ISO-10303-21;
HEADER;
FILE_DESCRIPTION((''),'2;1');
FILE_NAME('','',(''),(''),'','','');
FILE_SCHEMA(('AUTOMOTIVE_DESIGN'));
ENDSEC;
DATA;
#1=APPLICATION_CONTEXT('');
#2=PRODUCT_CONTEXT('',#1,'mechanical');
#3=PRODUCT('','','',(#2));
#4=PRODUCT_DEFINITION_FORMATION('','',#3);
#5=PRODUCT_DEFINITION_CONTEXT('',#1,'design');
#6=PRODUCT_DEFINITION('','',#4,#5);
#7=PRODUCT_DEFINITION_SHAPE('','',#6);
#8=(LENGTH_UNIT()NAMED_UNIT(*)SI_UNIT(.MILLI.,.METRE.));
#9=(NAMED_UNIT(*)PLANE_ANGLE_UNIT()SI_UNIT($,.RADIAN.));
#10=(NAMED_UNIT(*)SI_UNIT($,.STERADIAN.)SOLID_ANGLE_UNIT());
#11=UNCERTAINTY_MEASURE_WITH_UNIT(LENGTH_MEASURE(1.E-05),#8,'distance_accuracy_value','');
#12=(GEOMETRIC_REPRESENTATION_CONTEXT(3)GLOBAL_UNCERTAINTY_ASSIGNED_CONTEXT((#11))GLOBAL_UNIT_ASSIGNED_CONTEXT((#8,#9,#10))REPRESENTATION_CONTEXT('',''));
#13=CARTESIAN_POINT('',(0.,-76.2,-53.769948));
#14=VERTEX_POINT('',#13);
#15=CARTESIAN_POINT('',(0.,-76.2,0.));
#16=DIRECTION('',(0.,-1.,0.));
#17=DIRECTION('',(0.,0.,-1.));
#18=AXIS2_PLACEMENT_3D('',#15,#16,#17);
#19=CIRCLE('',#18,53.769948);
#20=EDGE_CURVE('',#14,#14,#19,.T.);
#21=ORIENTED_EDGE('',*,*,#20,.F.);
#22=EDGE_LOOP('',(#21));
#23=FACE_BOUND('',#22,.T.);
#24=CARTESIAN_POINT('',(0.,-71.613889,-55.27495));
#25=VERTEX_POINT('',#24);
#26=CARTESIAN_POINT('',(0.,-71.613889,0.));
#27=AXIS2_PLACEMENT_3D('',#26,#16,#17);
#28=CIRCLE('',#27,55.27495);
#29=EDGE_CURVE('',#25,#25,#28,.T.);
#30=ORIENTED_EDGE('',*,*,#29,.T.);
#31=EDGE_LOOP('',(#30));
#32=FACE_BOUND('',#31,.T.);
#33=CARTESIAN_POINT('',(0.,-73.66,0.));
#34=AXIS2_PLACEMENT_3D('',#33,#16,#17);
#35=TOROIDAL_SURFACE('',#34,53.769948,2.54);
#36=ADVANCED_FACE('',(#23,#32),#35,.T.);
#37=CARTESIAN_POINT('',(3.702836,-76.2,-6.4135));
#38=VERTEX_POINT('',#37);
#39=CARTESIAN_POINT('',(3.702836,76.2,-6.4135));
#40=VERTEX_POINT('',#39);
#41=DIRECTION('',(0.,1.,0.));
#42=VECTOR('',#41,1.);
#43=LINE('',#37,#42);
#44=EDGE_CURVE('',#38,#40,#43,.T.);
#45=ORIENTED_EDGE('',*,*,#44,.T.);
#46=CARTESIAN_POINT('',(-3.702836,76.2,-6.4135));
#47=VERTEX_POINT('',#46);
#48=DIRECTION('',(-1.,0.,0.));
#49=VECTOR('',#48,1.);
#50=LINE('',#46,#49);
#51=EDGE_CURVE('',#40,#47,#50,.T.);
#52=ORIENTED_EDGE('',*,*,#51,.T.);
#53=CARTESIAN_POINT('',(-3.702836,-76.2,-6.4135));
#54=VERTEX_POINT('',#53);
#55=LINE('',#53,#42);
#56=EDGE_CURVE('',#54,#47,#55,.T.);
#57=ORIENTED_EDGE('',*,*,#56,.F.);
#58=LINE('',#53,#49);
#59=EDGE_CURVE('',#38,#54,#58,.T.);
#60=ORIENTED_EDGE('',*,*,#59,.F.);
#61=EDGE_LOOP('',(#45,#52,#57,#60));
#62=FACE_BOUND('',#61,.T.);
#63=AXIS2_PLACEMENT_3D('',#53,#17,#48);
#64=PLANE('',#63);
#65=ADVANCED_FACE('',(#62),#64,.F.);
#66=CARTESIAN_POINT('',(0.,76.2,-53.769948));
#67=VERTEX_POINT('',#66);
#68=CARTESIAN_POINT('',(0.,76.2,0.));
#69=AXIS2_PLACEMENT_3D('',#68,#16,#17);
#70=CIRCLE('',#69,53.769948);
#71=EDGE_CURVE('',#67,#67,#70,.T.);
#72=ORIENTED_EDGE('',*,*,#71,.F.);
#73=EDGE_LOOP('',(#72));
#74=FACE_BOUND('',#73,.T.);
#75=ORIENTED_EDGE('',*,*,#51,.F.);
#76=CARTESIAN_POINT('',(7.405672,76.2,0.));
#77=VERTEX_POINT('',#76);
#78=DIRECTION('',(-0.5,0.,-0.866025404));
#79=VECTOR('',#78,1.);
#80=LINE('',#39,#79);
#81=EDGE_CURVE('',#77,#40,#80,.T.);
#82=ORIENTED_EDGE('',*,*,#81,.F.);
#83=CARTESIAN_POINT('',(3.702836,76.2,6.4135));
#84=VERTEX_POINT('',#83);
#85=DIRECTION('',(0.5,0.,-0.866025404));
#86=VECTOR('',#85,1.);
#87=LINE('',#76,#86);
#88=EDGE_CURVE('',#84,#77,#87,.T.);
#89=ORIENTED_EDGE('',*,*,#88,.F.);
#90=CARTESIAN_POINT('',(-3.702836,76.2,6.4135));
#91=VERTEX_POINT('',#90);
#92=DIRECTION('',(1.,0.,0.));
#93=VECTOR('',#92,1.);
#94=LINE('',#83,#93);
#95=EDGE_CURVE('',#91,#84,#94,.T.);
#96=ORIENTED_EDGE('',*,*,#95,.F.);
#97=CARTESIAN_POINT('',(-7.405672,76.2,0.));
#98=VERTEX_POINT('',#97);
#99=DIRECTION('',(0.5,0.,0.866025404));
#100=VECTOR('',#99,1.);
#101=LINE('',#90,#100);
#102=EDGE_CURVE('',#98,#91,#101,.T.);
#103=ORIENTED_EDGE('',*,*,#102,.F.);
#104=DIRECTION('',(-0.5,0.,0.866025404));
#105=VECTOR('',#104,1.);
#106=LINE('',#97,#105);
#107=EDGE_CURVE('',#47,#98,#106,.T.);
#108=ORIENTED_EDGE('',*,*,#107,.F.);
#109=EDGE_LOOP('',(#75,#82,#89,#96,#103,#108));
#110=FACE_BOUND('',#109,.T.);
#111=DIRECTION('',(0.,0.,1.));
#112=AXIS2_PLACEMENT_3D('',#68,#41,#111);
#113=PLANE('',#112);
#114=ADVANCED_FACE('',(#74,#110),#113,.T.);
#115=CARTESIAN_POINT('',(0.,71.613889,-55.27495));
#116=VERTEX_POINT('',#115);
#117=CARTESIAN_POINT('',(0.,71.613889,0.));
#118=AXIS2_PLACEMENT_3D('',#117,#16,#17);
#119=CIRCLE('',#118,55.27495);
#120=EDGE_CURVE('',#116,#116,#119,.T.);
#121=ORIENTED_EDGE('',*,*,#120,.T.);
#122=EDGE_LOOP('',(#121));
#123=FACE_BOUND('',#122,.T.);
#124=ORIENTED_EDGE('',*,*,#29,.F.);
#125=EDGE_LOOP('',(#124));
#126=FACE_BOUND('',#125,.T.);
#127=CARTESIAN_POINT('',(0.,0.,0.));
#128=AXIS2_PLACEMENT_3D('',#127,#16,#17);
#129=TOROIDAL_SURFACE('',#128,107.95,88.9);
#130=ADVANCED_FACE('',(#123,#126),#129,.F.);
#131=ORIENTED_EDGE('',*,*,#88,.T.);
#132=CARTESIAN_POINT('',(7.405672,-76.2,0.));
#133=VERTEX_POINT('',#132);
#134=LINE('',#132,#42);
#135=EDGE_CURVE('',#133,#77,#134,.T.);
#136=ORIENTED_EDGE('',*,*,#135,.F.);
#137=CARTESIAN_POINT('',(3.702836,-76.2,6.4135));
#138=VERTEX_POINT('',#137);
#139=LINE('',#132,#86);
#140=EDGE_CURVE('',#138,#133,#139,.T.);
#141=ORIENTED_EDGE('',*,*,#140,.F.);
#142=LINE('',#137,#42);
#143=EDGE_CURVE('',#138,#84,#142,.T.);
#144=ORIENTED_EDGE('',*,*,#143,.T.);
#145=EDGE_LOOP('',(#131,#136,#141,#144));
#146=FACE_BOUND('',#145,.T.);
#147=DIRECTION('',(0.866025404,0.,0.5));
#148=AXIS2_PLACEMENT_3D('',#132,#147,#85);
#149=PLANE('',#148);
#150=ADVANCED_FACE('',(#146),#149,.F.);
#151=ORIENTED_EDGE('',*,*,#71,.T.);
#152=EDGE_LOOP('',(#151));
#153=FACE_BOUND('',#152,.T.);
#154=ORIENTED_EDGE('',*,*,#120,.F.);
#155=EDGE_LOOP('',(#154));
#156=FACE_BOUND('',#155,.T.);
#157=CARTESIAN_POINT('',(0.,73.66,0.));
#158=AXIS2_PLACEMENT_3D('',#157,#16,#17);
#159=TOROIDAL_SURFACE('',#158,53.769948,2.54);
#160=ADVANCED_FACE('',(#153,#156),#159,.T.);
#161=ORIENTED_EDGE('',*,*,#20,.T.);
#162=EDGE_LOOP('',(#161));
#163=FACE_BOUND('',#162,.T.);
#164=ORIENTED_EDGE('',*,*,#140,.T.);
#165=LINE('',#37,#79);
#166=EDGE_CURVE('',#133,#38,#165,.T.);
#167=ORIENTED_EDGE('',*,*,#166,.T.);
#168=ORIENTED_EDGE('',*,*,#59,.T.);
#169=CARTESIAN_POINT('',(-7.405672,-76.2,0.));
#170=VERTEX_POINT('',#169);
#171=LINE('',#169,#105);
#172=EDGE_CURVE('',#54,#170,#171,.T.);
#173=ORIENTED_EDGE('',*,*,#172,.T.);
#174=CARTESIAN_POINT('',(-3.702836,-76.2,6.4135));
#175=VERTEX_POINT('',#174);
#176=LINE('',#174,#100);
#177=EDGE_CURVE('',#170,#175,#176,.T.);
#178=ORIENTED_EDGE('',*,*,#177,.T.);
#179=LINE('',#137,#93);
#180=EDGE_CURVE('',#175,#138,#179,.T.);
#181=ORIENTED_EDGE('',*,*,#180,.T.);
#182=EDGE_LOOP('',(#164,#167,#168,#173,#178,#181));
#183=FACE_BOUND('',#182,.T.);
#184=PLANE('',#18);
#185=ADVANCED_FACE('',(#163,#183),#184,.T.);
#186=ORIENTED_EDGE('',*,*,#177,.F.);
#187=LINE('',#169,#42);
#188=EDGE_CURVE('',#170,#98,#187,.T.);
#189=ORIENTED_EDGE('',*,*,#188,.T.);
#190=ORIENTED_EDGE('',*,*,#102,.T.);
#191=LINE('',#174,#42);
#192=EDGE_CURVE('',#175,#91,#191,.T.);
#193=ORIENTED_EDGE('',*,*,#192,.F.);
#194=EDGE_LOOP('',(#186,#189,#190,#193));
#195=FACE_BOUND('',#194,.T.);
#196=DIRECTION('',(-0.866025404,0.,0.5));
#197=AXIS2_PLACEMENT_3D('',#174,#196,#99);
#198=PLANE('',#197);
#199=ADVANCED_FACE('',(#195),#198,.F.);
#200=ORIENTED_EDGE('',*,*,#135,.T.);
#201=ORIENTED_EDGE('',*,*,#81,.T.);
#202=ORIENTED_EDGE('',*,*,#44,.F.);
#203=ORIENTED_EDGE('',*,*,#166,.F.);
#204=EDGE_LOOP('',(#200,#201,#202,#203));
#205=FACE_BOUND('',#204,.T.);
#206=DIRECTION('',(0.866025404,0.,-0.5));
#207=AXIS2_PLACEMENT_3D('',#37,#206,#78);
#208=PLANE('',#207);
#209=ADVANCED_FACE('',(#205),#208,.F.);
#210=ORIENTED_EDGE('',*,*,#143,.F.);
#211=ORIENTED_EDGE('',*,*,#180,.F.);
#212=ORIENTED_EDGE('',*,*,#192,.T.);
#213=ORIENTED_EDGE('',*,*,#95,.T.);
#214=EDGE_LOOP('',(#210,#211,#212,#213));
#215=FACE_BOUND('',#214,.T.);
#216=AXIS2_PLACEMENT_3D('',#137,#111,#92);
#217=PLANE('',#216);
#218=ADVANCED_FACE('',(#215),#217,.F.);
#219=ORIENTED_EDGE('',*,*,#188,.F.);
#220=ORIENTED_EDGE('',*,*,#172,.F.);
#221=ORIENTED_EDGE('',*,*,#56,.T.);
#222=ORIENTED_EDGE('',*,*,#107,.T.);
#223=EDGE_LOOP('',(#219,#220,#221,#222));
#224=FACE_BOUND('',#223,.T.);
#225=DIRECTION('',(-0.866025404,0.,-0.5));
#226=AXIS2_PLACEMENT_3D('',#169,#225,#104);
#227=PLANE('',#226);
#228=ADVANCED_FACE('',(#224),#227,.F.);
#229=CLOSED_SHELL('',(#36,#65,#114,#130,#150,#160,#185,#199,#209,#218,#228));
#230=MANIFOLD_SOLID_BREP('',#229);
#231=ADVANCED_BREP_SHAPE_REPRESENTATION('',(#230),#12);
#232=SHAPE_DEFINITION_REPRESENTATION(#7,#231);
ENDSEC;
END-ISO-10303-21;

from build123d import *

# Parameters (mm, degrees)
CUT_EXTRUDE1_DEPTH = 172.951680952


with BuildPart() as part:
    # Sketch1 → Revolve1 (revolve)
    with BuildSketch(Plane.XY, mode=Mode.PRIVATE) as revolve1_sk:
        with BuildLine():
            Line((0, -76.2), (53.76994832, -76.2))
            ThreePointArc((53.76994832, -76.2), (56.183319637, -74.451984147), (55.274949756, -71.613888889))
            ThreePointArc((55.274949756, -71.613888889), (19.05, 0), (55.274949756, 71.613888889))
            ThreePointArc((55.274949756, 71.613888889), (56.183319637, 74.451984147), (53.76994832, 76.2))
            Line((53.76994832, 76.2), (0, 76.2))
            Line((0, 76.2), (0, -76.2))
        make_face()
    revolve(revolve1_sk.sketch.rotate(Axis((0, -76.2, 0), (0, 1, 0)), 90), axis=Axis((0, -76.2, 0), (0, 1, 0)))

    # Sketch3 → Cut-Extrude1 (cut, through all)
    with BuildSketch(Plane(origin=(0, 76.2, 0), x_dir=(1, 0, 0), z_dir=(0, 1, 0))):
        Polygon((7.405671903, 0), (3.702835951, -6.4135), (-3.702835951, -6.4135), (-7.405671903, 0), (-3.702835951, 6.4135), (3.702835951, 6.4135), align=None)
    extrude(amount=-CUT_EXTRUDE1_DEPTH, mode=Mode.SUBTRACT)


solid = part.part
